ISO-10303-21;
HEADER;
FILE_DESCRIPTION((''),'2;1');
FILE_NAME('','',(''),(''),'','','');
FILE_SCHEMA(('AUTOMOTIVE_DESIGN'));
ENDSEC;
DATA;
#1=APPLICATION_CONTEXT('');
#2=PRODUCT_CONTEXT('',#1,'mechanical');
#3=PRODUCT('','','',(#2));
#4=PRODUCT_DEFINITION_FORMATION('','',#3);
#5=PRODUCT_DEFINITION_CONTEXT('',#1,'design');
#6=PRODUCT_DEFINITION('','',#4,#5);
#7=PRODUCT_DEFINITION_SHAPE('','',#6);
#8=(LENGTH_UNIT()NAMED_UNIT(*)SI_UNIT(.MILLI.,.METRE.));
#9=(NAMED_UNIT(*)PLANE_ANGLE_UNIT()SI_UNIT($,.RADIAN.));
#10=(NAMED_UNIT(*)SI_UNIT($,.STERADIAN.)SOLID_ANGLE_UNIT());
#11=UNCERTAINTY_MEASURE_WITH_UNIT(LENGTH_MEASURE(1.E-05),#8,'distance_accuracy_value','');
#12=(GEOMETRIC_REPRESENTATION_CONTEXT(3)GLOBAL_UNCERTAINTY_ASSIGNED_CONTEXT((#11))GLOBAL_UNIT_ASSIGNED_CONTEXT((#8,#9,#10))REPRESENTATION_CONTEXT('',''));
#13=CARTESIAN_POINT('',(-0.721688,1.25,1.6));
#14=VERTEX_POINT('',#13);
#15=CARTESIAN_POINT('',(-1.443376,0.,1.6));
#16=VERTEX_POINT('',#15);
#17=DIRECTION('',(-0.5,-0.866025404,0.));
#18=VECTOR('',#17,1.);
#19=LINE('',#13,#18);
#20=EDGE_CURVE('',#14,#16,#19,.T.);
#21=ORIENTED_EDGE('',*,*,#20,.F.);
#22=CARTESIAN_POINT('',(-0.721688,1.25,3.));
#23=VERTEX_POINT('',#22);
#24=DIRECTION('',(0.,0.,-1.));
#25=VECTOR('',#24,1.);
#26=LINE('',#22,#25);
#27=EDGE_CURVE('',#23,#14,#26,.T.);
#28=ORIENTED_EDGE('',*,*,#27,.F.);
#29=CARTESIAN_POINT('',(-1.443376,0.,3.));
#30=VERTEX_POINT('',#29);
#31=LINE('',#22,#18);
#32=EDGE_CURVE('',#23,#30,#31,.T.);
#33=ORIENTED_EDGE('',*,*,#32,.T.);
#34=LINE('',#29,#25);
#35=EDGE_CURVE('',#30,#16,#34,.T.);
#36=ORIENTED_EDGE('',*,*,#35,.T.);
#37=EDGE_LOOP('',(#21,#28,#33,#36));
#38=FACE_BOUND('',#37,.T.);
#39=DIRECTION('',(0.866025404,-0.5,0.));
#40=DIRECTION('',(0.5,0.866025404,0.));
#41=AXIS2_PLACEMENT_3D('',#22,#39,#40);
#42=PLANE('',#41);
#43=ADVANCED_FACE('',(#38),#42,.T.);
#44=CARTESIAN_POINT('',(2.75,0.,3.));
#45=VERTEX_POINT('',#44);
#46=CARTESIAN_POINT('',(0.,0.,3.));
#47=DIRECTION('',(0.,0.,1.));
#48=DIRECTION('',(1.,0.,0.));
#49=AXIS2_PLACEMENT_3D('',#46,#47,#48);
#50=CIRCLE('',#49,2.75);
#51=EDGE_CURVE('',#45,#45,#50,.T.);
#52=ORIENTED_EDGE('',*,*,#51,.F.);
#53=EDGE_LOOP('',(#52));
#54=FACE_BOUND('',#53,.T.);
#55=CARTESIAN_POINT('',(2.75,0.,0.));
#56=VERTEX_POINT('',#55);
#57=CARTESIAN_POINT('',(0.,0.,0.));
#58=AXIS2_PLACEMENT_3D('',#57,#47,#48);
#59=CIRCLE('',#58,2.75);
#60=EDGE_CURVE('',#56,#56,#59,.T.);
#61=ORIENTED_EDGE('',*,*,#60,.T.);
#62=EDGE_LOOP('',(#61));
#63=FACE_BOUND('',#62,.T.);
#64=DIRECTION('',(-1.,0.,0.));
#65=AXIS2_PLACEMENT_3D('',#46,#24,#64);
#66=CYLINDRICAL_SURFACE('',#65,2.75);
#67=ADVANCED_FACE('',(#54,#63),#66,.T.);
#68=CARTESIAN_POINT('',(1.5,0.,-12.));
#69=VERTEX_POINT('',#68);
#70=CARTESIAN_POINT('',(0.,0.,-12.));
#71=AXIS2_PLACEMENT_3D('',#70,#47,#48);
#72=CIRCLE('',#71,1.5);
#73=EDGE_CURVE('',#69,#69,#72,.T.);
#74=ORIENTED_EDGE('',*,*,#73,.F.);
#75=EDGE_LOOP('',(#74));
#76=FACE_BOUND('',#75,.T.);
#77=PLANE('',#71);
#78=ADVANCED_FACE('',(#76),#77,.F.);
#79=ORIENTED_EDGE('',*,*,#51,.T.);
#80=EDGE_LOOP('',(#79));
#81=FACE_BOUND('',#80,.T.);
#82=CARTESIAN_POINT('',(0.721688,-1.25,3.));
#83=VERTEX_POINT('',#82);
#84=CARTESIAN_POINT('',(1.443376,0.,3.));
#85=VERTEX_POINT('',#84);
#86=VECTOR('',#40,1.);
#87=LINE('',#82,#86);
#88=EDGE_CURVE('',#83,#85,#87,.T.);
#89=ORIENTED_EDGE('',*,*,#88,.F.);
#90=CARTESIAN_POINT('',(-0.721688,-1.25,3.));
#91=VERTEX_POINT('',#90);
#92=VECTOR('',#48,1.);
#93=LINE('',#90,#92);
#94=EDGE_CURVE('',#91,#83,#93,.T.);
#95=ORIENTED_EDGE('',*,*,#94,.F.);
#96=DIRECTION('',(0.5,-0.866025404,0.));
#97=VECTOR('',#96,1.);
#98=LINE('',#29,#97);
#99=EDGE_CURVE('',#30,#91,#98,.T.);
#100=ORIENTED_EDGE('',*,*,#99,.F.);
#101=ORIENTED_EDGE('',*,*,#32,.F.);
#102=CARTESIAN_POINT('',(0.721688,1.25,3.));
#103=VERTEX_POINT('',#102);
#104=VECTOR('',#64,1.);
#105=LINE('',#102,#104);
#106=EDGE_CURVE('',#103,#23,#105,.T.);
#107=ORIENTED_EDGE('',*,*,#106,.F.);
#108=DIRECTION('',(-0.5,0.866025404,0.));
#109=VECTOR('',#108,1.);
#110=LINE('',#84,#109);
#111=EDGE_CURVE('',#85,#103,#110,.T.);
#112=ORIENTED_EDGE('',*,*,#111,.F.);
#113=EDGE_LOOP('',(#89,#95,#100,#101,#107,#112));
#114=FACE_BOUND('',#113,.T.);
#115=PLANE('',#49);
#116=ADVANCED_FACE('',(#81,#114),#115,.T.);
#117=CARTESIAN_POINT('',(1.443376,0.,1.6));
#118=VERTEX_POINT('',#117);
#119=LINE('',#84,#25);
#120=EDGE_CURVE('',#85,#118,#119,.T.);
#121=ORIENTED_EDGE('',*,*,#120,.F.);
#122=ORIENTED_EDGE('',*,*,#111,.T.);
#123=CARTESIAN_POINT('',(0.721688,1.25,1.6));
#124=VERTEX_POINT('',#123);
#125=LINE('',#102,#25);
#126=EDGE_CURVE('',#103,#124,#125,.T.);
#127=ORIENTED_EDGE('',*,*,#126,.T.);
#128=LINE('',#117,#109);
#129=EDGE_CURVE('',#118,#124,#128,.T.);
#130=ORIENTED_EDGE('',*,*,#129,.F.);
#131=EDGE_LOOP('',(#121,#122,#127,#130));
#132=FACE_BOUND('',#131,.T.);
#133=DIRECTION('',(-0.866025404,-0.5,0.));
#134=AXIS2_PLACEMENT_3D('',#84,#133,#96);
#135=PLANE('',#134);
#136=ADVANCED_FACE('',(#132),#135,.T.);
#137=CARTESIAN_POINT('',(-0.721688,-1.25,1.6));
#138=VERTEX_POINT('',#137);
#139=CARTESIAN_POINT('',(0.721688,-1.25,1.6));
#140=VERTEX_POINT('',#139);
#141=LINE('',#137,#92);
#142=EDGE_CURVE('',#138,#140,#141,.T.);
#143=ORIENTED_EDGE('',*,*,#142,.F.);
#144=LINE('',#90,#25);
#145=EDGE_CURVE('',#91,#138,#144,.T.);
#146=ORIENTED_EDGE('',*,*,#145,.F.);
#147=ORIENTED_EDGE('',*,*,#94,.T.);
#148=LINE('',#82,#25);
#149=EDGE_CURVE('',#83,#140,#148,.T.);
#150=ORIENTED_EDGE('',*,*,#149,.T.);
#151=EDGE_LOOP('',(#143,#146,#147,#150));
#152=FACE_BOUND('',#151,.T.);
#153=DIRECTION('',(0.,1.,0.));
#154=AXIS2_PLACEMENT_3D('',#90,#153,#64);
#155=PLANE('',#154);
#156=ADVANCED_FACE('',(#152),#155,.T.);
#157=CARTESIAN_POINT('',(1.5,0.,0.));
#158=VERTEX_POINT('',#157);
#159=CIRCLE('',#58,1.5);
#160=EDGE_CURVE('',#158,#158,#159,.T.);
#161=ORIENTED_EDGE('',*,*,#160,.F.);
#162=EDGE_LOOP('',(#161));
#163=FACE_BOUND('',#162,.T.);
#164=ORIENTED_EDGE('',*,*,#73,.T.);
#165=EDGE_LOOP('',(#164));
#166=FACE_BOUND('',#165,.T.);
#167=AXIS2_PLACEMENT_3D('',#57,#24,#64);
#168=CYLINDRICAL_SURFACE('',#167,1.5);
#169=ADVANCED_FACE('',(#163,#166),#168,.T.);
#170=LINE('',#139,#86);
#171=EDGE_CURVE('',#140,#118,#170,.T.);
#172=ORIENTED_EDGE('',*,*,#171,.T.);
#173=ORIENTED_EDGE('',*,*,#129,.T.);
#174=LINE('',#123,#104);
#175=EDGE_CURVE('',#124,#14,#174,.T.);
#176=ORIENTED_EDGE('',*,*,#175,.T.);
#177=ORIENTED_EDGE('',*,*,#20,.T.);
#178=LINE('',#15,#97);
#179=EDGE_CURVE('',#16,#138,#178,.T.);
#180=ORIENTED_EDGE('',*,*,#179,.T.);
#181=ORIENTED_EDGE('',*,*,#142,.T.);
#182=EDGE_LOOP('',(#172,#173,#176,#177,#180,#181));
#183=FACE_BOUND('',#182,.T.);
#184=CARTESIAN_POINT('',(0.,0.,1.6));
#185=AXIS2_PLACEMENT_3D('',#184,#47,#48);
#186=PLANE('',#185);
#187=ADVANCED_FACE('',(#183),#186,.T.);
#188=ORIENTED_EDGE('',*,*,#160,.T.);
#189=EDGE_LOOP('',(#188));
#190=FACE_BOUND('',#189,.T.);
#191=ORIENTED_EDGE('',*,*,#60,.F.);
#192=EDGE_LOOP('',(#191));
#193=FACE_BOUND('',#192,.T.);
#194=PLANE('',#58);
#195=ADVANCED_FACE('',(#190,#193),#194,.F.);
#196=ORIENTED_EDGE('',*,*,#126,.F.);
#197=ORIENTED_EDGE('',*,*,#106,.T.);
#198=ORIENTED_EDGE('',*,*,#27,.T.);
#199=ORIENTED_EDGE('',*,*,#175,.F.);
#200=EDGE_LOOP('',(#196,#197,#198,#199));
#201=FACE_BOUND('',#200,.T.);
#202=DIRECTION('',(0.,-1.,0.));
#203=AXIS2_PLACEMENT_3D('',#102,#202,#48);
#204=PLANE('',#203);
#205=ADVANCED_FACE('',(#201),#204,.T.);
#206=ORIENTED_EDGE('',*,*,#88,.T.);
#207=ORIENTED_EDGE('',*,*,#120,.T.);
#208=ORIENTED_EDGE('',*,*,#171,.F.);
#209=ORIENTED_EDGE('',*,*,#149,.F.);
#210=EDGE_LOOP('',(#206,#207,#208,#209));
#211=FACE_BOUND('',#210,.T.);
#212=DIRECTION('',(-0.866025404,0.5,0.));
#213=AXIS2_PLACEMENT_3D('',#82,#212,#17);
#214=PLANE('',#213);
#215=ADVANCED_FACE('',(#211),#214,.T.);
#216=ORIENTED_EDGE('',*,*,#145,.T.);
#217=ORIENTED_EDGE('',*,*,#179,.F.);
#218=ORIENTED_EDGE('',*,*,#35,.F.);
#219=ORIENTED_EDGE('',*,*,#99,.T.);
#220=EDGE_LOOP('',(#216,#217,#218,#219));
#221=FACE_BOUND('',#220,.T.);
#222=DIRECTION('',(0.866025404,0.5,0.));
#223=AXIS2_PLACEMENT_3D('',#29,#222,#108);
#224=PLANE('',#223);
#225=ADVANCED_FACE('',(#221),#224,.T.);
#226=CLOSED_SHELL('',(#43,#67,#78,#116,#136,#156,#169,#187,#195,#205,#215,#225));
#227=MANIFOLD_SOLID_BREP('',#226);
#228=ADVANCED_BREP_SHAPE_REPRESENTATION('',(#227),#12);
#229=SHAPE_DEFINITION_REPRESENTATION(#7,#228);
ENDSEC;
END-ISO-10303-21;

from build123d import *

# Parameters (mm, degrees)
ISO4762_HEAD_D5P5_H3_SKETCH_R       = 2.75
ISO4762_HEAD_D5P5_H3_DEPTH          = 3
M3_MAJOR_DIAMETER_ENVELOPE_START    = -12
M3_MAJOR_DIAMETER_ENVELOPE_SKETCH_R = 1.5
M3_MAJOR_DIAMETER_ENVELOPE_DEPTH    = 12
HEX_SOCKET_2P5AF_START              = 1.6
HEX_SOCKET_2P5AF_DEPTH              = 1.4


with BuildPart() as part:
    # ISO4762_head_D5p5_h3_Sketch → ISO4762_head_D5p5_h3 (new body)
    with BuildSketch(Plane.XY):
        Circle(ISO4762_HEAD_D5P5_H3_SKETCH_R)
    extrude(amount=ISO4762_HEAD_D5P5_H3_DEPTH)

    # M3_major_diameter_envelope_Sketch → M3_major_diameter_envelope (add)
    with BuildSketch(Plane.XY.offset(M3_MAJOR_DIAMETER_ENVELOPE_START)):
        Circle(M3_MAJOR_DIAMETER_ENVELOPE_SKETCH_R)
    extrude(amount=M3_MAJOR_DIAMETER_ENVELOPE_DEPTH)

    # Hex_socket_2p5AF_Sketch → Hex_socket_2p5AF (cut)
    with BuildSketch(Plane.XY.offset(HEX_SOCKET_2P5AF_START)):
        Polygon((1.443375673, 0), (0.721687836, 1.25), (-0.721687836, 1.25), (-1.443375673, 0), (-0.721687836, -1.25), (0.721687836, -1.25), align=None)
    extrude(amount=HEX_SOCKET_2P5AF_DEPTH, mode=Mode.SUBTRACT)


solid = part.part
